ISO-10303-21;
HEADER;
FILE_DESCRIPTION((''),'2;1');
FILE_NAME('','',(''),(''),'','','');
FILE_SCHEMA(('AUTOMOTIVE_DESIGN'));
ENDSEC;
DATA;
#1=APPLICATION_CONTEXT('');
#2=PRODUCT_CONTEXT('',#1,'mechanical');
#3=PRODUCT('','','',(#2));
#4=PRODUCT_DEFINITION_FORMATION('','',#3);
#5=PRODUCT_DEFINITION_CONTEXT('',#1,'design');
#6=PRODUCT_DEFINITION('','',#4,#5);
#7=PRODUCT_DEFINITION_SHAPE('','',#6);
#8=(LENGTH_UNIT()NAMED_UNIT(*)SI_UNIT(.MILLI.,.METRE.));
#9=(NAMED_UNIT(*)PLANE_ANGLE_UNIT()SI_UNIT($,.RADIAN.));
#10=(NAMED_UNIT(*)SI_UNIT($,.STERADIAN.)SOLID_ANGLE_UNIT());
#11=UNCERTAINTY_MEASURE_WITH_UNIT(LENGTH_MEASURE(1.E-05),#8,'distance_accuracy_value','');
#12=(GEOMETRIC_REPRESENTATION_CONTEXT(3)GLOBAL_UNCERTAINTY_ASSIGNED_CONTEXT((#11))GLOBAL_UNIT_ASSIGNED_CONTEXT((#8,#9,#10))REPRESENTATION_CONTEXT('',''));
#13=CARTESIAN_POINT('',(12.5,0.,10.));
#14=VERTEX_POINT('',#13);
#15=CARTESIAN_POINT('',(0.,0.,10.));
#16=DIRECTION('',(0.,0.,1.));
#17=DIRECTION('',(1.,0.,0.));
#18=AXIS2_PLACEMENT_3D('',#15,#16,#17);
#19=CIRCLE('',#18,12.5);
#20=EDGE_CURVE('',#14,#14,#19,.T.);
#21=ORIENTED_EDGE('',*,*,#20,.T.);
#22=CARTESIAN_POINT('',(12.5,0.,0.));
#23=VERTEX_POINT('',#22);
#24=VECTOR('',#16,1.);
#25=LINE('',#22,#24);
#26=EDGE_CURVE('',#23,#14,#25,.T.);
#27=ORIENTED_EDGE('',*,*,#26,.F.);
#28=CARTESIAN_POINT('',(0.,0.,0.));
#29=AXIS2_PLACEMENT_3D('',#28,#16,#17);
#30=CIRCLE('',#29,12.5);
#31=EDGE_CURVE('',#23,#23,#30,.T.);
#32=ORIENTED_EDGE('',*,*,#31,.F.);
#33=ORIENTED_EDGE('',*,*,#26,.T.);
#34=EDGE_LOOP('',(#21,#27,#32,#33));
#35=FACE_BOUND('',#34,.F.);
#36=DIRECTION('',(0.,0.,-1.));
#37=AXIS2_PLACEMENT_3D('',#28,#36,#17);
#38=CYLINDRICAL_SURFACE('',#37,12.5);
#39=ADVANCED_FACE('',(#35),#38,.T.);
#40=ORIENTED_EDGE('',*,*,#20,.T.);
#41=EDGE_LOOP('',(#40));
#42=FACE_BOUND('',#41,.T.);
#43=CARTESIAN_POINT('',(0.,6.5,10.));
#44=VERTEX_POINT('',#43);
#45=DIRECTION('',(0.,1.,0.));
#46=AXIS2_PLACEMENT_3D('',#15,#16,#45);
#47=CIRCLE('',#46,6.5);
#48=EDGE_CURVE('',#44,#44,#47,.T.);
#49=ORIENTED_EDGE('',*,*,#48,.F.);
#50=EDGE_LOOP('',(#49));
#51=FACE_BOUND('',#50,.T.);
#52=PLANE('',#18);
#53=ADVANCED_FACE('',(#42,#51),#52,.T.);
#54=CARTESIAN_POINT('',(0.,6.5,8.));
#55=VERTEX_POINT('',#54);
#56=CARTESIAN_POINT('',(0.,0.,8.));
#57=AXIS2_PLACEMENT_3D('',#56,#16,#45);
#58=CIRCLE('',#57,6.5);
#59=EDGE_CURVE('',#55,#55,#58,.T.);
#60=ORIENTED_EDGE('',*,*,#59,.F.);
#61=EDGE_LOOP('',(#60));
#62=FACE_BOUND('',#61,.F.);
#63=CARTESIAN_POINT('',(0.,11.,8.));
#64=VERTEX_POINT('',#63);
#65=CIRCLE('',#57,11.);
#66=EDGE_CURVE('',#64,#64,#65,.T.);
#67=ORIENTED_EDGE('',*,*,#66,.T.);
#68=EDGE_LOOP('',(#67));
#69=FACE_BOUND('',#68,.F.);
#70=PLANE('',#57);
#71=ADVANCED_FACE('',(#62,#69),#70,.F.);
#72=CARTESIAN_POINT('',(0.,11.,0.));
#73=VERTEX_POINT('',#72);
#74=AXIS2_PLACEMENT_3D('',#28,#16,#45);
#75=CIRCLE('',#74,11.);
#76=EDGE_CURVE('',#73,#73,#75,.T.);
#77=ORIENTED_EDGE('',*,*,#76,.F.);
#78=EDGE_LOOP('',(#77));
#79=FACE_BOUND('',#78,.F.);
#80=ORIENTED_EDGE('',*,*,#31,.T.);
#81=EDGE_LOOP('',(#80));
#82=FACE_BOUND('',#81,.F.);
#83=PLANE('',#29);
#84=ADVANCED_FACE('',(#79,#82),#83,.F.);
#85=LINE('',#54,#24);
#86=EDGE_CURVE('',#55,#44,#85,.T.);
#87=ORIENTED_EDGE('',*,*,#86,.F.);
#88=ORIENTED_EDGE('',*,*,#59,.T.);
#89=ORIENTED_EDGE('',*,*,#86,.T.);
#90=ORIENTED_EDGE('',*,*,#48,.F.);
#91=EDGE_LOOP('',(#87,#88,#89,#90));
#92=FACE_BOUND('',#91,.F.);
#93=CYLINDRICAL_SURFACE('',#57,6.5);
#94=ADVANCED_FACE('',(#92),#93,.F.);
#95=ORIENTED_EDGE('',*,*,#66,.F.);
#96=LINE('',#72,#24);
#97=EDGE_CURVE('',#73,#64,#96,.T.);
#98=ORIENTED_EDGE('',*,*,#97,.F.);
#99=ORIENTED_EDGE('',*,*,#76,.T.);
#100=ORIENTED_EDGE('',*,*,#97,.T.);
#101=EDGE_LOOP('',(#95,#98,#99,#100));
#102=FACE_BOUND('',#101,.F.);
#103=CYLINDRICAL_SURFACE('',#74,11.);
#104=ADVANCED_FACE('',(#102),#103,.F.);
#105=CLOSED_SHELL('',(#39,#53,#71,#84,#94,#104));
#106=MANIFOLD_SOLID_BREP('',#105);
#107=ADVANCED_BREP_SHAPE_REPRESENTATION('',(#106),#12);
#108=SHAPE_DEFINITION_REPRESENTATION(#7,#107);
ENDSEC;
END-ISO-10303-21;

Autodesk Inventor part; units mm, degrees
ref_plane "YZ Plane" through (0, 0, 0) normal (1, 0, 0) x (0, 1, 0)
ref_plane "XZ Plane" through (0, 0, 0) normal (0, 1, 0) x (-1, 0, 0)
ref_plane "XY Plane" through (0, 0, 0) normal (0, 0, 1) x (1, 0, 0)
sketch "Náčrt1" plane through (0, 0, 0) normal (0, 0, 1) x (1, 0, 0)
  circle A0 centre (0, 0) radius 12.5
  dimension "d0" = 25
extrude "Vysunutí1" add sketch "Náčrt1" along normal blind 10
sketch "Náčrt2" plane through (0, 0, 0) normal (0, 0, -1) x (-1, 0, 0)
  circle A0 centre (0, 0) radius 12.5 projected
hole "Díra1" at (0, 0, 0) direction (0, 0, 1) diameter 13 end through all counterbore diameter 22 counterbore depth 8
properties part number "Součást1_3D tisk"
